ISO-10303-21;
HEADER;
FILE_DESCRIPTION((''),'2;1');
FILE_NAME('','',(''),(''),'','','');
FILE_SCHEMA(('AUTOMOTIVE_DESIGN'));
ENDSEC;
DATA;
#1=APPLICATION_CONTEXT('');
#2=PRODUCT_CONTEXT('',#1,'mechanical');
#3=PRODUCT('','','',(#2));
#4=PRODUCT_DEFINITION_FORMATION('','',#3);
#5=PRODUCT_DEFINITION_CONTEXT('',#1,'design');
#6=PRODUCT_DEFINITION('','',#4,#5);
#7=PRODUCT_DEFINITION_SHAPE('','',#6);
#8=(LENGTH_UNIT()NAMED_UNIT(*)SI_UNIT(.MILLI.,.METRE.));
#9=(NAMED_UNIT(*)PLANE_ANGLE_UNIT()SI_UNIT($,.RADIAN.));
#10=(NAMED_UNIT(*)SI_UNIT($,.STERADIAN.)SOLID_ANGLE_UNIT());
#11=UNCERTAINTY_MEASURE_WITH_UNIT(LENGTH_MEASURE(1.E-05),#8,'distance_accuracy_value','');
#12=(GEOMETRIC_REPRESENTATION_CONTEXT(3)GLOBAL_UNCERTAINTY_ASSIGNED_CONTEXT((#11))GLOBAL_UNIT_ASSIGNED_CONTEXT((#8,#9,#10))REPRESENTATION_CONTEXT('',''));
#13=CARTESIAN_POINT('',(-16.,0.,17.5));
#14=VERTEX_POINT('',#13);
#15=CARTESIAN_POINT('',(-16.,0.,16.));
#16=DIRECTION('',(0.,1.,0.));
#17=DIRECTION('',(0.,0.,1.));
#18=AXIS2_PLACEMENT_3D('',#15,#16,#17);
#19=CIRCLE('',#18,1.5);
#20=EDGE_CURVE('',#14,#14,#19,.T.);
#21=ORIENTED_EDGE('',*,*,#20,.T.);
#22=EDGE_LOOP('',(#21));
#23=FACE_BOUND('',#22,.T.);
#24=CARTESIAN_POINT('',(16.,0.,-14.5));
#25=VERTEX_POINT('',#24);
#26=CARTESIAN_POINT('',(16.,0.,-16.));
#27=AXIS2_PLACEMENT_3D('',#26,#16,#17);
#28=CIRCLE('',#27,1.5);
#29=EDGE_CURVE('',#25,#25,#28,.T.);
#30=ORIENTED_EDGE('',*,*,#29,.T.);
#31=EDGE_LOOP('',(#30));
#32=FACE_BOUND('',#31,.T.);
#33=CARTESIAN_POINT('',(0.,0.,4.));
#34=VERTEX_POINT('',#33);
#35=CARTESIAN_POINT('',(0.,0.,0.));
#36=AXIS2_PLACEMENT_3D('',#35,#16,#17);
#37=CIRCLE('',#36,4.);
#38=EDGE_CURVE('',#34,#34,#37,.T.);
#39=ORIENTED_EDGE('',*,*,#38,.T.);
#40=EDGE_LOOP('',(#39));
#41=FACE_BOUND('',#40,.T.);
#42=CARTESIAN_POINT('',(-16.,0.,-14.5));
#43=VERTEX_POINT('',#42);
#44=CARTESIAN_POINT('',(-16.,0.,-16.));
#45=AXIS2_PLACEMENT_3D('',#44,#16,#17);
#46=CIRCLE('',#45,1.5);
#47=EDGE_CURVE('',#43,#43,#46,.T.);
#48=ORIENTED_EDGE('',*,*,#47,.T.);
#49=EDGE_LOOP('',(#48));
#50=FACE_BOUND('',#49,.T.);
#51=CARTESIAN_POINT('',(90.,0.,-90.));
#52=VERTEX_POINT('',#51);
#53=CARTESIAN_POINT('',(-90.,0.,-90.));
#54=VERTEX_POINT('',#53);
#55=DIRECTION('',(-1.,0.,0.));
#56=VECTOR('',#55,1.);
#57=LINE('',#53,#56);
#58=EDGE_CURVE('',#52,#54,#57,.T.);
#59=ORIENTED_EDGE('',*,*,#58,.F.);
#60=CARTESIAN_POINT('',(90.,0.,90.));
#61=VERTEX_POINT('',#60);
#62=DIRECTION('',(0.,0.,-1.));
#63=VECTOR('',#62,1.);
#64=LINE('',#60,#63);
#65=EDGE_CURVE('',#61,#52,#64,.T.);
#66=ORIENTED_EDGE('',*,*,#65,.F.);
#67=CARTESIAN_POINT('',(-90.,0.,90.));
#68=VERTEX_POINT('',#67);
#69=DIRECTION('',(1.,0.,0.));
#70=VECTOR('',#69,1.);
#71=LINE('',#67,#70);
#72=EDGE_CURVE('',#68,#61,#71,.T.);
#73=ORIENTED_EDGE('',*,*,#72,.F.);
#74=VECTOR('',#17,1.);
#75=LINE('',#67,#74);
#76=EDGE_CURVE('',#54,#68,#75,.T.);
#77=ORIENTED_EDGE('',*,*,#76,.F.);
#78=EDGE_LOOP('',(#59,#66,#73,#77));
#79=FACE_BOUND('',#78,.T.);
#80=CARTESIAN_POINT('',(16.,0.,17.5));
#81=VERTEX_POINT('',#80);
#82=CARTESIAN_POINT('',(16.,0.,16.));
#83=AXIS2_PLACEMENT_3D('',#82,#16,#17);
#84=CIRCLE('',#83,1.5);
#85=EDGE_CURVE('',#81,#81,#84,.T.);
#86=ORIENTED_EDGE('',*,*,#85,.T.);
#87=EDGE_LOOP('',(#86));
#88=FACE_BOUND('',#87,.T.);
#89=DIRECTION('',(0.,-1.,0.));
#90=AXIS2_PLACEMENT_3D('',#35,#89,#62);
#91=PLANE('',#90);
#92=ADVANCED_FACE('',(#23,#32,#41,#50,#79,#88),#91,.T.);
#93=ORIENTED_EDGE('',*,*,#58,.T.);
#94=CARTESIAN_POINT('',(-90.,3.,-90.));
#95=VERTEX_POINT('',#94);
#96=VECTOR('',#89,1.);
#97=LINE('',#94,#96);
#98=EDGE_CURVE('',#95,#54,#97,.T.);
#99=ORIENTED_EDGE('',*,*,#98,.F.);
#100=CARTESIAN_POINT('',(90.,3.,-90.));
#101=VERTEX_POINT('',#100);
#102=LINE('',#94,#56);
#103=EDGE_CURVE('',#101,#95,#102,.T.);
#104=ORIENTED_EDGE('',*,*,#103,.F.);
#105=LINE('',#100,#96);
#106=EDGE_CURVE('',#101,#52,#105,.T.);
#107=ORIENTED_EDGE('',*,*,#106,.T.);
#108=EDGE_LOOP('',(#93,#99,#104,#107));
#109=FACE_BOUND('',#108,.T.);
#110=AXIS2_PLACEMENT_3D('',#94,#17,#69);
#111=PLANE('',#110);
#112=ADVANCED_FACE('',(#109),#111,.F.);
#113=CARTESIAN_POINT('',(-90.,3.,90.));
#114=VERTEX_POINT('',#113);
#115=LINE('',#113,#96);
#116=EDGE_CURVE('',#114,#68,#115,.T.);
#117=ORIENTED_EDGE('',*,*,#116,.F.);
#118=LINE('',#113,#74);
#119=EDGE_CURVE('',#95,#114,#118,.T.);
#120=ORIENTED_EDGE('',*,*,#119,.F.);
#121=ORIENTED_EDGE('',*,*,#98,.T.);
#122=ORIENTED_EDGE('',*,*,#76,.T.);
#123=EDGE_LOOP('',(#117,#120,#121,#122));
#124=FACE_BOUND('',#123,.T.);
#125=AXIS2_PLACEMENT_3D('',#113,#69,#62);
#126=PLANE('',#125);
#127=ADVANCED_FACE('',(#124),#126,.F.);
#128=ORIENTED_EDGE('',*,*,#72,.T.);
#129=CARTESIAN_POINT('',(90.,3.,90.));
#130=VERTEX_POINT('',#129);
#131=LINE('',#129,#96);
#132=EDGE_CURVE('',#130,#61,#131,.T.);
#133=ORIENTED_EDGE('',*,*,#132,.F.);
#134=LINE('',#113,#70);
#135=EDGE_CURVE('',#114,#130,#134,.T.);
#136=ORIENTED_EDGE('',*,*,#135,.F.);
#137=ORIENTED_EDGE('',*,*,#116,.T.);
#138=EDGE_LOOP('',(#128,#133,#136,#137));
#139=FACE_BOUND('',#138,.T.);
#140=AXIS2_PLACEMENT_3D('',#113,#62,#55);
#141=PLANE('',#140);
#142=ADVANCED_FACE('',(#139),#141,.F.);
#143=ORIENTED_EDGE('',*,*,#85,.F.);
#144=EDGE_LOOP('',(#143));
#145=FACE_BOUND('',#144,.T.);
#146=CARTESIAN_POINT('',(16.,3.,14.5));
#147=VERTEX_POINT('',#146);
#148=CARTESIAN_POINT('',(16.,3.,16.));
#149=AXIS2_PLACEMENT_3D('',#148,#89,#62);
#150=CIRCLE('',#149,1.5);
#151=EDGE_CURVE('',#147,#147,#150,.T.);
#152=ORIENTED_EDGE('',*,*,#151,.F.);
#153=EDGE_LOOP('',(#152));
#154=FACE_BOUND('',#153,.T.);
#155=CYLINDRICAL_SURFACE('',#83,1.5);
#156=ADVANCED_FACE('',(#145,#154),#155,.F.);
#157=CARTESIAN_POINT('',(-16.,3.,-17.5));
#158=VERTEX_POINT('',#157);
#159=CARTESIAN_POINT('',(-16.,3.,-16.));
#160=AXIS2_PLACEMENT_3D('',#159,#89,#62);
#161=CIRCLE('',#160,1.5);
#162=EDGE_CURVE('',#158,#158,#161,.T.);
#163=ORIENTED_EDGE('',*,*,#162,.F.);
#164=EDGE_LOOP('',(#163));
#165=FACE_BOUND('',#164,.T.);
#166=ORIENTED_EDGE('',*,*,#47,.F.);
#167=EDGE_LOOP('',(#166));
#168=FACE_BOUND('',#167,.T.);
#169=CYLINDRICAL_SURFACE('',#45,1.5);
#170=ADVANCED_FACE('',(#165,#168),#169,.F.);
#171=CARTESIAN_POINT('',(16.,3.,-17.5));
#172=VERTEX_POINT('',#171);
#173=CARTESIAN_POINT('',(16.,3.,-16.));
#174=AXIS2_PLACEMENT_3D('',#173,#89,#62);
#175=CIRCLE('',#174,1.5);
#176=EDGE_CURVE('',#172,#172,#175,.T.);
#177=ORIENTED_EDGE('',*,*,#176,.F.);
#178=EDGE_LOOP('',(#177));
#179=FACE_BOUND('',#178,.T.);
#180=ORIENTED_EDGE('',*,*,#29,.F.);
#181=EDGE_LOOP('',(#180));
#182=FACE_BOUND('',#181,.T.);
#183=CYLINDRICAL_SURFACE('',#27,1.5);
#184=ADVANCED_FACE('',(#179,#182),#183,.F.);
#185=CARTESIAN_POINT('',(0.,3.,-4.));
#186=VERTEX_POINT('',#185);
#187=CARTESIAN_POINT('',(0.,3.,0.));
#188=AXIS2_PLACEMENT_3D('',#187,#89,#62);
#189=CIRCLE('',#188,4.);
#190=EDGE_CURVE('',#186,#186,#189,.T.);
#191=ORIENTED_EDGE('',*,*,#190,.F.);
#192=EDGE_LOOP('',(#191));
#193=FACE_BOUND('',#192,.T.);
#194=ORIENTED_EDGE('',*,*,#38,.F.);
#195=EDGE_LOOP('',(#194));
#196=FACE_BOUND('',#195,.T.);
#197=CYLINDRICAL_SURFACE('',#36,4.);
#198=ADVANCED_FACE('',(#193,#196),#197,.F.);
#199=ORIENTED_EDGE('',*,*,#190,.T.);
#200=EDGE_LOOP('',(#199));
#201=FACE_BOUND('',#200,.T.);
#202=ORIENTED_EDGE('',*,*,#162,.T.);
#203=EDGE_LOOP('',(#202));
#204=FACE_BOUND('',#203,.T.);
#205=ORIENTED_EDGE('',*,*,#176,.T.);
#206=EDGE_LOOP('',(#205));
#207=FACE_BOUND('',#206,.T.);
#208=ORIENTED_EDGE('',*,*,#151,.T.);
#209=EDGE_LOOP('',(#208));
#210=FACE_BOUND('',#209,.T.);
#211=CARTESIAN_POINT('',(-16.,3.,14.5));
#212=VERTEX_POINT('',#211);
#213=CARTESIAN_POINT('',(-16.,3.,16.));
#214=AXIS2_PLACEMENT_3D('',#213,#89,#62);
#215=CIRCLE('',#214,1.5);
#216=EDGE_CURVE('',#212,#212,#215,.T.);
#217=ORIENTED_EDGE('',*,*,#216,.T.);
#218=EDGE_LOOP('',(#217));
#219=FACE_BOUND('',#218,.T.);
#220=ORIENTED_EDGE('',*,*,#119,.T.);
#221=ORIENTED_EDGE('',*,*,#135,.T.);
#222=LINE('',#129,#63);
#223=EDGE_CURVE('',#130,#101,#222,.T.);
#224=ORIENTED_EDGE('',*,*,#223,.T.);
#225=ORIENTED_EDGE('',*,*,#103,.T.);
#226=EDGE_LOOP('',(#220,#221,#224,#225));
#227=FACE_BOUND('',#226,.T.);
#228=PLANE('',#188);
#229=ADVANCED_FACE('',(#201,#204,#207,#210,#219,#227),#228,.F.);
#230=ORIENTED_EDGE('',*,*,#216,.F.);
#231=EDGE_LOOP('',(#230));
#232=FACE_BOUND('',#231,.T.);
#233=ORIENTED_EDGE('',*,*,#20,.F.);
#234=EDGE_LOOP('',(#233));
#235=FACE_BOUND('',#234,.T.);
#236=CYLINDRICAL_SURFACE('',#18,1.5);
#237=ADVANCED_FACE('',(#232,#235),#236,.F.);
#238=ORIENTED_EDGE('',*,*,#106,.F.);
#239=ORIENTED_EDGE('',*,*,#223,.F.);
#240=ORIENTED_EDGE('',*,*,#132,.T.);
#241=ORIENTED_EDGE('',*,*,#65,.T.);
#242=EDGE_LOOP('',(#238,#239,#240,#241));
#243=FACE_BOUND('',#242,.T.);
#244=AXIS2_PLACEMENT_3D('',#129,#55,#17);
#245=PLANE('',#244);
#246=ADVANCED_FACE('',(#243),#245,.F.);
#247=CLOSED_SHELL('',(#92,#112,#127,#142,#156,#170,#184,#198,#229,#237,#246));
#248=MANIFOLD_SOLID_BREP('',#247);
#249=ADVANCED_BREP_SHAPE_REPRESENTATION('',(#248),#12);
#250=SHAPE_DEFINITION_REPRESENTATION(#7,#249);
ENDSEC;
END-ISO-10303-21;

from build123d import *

# Parameters (mm, degrees)
SKETCH1_W               = 180
SKETCH1_H               = 180
BOSS_EXTRUDE1_DEPTH     = 3
CUT_EXTRUDE1_DEPTH      = 128.314571044
CUT_EXTRUDE1_DEPTH_BACK = 128.314571044
SKETCH2_R               = 4
SKETCH2_R_2             = 1.5


with BuildPart() as part:
    # Sketch1 → Boss-Extrude1 (new body)
    with BuildSketch(Plane(origin=(0, 0, 0), x_dir=(1, 0, 0), z_dir=(0, 1, 0))):
        Rectangle(SKETCH1_W, SKETCH1_H)
    extrude(amount=BOSS_EXTRUDE1_DEPTH)

    # Sketch2 → Cut-Extrude1 (cut, two sides: drawn at the far end of the back side and taken through both)
    with BuildSketch(Plane(origin=(0, 3, 0), x_dir=(1, 0, 0), z_dir=(0, 1, 0)).offset(-CUT_EXTRUDE1_DEPTH_BACK)):
        with Locations(Location((0, 0, 0), (0, 0, 270))):
            Circle(SKETCH2_R)
        with Locations(Location((-16, 16, 0), (0, 0, 270))):
            Circle(SKETCH2_R_2)
        with Locations(Location((16, 16, 0), (0, 0, 270))):
            Circle(SKETCH2_R_2)
        with Locations(Location((16, -16, 0), (0, 0, 270))):
            Circle(SKETCH2_R_2)
        with Locations(Location((-16, -16, 0), (0, 0, 270))):
            Circle(SKETCH2_R_2)
    extrude(amount=CUT_EXTRUDE1_DEPTH + CUT_EXTRUDE1_DEPTH_BACK, mode=Mode.SUBTRACT)


solid = part.part
